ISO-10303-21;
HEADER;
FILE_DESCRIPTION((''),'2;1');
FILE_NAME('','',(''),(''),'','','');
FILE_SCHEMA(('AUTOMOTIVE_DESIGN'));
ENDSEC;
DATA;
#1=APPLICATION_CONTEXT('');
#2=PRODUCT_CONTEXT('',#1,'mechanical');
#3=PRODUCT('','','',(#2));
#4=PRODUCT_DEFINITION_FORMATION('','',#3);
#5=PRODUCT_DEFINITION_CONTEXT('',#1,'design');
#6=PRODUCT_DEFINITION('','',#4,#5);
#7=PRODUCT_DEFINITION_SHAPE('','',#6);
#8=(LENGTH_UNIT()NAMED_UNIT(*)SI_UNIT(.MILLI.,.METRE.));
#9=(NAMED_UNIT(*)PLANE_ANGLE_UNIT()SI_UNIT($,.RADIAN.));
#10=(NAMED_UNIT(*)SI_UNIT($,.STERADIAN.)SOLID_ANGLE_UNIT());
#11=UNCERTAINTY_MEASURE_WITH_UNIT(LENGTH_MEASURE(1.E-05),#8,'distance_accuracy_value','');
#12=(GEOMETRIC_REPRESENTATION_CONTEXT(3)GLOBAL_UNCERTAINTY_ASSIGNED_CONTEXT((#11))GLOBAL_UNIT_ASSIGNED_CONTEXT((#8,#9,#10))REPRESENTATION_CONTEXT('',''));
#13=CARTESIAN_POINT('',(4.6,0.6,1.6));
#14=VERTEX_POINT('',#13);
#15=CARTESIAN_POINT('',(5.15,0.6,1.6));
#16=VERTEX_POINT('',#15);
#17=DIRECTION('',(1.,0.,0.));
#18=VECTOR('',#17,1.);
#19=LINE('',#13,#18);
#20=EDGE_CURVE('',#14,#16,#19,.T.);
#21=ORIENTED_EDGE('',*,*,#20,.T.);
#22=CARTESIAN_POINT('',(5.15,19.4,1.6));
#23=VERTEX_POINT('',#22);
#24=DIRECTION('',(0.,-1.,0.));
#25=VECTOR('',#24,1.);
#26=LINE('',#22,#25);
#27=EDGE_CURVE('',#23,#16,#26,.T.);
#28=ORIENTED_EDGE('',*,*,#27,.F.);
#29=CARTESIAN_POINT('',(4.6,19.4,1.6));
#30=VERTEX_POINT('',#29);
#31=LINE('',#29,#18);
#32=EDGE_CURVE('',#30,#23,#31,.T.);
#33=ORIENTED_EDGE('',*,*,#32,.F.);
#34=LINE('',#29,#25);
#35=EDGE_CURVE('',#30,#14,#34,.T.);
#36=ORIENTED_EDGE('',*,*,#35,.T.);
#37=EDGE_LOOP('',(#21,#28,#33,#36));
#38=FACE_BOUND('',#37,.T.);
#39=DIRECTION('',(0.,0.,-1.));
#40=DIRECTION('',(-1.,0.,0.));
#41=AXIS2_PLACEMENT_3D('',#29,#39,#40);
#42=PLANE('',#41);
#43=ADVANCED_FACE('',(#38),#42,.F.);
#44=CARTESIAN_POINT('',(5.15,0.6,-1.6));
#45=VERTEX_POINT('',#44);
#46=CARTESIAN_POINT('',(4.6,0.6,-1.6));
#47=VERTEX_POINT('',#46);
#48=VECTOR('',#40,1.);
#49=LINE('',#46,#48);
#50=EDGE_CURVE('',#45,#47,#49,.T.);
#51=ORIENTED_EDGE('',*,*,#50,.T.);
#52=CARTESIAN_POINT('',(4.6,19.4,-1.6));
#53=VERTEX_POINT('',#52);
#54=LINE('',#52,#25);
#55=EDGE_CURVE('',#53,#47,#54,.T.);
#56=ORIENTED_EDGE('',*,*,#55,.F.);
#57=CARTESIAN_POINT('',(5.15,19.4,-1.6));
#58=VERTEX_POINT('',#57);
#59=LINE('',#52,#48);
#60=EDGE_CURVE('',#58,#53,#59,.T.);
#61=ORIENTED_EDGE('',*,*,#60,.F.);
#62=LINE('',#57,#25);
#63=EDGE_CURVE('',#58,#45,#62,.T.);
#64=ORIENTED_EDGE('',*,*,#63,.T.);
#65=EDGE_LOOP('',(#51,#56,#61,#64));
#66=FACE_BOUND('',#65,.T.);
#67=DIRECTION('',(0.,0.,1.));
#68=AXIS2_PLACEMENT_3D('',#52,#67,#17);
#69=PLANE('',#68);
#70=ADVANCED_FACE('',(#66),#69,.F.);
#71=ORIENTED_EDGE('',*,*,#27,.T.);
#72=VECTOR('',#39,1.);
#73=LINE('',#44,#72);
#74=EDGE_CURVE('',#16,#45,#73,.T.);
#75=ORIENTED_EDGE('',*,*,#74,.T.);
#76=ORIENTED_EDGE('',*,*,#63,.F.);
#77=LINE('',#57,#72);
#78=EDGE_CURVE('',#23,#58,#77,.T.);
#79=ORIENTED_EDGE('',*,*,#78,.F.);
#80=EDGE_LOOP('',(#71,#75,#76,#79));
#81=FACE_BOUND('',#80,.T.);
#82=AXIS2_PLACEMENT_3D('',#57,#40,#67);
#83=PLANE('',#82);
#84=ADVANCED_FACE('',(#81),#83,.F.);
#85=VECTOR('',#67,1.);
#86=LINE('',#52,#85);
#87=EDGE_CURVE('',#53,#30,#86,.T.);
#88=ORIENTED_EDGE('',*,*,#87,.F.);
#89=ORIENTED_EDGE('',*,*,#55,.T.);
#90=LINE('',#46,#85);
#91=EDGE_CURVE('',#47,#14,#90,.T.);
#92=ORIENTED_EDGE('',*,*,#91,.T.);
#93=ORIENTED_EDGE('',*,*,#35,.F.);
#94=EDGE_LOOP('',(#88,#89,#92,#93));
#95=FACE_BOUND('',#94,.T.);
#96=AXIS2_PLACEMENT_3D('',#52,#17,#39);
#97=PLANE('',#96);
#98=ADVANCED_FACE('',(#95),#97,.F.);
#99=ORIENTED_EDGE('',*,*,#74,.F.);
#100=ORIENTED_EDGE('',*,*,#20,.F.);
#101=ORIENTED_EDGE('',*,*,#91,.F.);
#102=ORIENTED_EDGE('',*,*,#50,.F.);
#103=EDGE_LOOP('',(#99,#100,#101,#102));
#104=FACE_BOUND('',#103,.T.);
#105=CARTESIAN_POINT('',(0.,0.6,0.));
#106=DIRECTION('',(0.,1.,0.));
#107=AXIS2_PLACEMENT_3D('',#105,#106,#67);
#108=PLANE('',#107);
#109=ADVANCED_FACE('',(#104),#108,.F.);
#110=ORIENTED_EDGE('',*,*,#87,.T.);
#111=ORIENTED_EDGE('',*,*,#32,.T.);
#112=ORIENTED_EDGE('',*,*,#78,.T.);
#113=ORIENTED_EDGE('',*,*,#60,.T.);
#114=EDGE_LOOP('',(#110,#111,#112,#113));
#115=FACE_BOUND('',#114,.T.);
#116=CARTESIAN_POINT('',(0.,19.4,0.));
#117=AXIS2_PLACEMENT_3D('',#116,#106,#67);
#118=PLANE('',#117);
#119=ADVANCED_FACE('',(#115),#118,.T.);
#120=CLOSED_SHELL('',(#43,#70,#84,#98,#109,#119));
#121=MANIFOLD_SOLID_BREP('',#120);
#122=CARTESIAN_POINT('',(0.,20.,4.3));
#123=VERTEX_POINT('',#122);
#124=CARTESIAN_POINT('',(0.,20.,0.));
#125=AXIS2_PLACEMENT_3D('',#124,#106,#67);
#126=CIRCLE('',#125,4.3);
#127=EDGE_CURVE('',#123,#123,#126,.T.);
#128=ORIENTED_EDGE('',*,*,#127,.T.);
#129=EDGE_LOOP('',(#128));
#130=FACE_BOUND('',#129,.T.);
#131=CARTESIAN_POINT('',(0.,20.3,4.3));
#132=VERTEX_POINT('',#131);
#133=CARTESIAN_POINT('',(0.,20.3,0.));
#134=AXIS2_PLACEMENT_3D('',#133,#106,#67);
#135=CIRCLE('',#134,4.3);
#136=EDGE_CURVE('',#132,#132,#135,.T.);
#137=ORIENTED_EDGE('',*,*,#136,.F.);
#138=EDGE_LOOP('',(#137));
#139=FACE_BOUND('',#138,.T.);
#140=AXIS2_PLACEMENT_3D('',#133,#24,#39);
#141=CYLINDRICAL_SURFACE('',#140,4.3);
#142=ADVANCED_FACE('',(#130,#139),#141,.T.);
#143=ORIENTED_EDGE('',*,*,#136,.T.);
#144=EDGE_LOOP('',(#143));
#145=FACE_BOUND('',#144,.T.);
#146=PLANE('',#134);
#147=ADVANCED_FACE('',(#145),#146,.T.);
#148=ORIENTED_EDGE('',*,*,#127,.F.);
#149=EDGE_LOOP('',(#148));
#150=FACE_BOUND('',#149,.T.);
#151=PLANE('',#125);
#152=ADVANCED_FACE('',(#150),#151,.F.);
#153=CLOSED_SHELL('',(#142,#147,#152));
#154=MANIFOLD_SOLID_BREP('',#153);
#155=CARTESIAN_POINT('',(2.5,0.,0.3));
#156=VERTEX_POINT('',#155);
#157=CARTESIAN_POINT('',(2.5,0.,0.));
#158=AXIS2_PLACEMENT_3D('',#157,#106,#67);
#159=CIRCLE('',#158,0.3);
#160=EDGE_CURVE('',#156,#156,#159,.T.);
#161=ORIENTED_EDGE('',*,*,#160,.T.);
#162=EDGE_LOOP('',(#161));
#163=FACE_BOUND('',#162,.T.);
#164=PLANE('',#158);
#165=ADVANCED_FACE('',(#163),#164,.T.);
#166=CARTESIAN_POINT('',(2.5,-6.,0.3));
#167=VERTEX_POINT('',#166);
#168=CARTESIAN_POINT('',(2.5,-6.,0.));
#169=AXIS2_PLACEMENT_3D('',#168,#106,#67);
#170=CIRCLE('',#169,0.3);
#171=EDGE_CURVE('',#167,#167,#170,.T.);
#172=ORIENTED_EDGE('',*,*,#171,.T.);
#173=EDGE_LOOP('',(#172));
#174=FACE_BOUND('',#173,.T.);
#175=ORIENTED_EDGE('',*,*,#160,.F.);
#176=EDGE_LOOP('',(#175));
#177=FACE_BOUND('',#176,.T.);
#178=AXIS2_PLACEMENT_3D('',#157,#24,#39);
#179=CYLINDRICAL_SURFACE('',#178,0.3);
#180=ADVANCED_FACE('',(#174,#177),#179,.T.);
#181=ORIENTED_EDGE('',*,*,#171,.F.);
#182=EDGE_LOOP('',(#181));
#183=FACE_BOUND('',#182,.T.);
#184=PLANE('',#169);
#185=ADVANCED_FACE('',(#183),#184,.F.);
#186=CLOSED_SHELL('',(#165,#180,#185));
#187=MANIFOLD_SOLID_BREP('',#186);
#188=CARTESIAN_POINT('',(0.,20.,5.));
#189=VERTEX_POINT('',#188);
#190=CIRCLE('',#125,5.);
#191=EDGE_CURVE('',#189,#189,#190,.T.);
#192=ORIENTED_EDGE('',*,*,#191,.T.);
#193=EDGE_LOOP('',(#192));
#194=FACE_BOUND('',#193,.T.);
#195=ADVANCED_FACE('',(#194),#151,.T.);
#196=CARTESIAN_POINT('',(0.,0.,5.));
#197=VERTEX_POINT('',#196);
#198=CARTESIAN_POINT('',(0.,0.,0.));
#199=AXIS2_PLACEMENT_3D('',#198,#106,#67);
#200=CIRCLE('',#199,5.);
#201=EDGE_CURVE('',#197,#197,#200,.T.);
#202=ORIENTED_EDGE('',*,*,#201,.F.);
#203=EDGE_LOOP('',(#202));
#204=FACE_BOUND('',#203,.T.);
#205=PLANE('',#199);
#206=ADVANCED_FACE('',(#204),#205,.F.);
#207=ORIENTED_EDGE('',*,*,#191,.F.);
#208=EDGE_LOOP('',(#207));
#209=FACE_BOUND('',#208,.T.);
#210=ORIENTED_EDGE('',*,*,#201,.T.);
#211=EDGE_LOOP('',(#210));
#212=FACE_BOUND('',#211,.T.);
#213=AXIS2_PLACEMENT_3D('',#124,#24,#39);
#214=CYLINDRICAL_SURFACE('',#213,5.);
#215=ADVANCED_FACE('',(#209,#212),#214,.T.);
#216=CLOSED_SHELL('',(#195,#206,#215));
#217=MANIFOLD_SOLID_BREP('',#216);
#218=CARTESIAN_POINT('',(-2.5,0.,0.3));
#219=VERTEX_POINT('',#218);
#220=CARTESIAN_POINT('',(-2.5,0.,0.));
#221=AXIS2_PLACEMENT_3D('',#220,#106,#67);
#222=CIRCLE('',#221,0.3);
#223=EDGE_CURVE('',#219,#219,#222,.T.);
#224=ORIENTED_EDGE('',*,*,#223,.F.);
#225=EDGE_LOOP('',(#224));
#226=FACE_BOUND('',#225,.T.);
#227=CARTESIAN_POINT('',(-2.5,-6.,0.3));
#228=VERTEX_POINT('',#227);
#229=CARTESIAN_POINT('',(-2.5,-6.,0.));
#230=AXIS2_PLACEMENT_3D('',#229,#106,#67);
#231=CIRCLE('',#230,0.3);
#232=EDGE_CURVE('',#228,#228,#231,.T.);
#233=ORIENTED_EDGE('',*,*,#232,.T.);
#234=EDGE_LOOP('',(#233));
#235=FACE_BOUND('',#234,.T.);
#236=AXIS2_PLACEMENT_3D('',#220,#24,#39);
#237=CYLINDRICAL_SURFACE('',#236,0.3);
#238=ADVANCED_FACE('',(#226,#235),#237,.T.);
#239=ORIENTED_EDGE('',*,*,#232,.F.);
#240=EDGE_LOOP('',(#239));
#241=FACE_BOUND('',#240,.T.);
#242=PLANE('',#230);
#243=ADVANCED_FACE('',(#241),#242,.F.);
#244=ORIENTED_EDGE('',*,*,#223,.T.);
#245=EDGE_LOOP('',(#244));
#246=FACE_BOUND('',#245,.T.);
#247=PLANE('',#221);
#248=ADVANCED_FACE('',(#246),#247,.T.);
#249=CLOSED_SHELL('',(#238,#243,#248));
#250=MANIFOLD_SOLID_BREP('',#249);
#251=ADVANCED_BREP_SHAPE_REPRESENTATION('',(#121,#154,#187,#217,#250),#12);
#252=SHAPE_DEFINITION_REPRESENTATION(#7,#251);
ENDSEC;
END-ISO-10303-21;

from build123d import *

# Parameters (mm, degrees)
SK_CAN_R           = 5
CAN_DEPTH          = 20
TOP_START          = 20
SK_TOP_DISC_R      = 4.3
TOP_DISC_DEPTH     = 0.3
MINUS_START        = 0.6
SK_MINUS_STRIPE_W  = 0.55
SK_MINUS_STRIPE_H  = 3.2
MINUS_STRIPE_DEPTH = 18.8
LEADS_START        = -6
SK_LEADS_R         = 0.3
LEADS_DEPTH        = 6
LEADS_2_DEPTH      = 6


with BuildPart() as part:
    # SK Can → Can (new body)
    with BuildSketch(Plane(origin=(0, 0, 0), x_dir=(1, 0, 0), z_dir=(0, 1, 0))):
        with Locations(Location((0, 0, 0), (0, 0, 270))):
            Circle(SK_CAN_R)
    extrude(amount=CAN_DEPTH)


with BuildPart() as body_2:
    # SK Top disc → Top disc (new body)
    with BuildSketch(Plane(origin=(0, 0, 0), x_dir=(1, 0, 0), z_dir=(0, 1, 0)).offset(TOP_START)):
        with Locations(Location((0, 0, 0), (0, 0, 270))):
            Circle(SK_TOP_DISC_R)
    extrude(amount=TOP_DISC_DEPTH)


with BuildPart() as body_3:
    # SK Minus stripe → Minus stripe (new body)
    with BuildSketch(Plane(origin=(0, 0, 0), x_dir=(1, 0, 0), z_dir=(0, 1, 0)).offset(MINUS_START)):
        with Locations((4.875, 0)):
            Rectangle(SK_MINUS_STRIPE_W, SK_MINUS_STRIPE_H)
    extrude(amount=MINUS_STRIPE_DEPTH)


with BuildPart() as body_4:
    # SK Leads → Leads (new body)
    with BuildSketch(Plane(origin=(0, 0, 0), x_dir=(1, 0, 0), z_dir=(0, 1, 0)).offset(LEADS_START)):
        with Locations(Location((-2.5, 0, 0), (0, 0, 270))):
            Circle(SK_LEADS_R)
    extrude(amount=LEADS_DEPTH)


with BuildPart() as body_5:
    # SK Leads → Leads 2 (new body)
    with BuildSketch(Plane(origin=(0, 0, 0), x_dir=(1, 0, 0), z_dir=(0, 1, 0)).offset(LEADS_START)):
        with Locations(Location((2.5, 0, 0), (0, 0, 270))):
            Circle(SK_LEADS_R)
    extrude(amount=LEADS_2_DEPTH)


solid = Compound([part.part, body_2.part, body_3.part, body_4.part, body_5.part])
